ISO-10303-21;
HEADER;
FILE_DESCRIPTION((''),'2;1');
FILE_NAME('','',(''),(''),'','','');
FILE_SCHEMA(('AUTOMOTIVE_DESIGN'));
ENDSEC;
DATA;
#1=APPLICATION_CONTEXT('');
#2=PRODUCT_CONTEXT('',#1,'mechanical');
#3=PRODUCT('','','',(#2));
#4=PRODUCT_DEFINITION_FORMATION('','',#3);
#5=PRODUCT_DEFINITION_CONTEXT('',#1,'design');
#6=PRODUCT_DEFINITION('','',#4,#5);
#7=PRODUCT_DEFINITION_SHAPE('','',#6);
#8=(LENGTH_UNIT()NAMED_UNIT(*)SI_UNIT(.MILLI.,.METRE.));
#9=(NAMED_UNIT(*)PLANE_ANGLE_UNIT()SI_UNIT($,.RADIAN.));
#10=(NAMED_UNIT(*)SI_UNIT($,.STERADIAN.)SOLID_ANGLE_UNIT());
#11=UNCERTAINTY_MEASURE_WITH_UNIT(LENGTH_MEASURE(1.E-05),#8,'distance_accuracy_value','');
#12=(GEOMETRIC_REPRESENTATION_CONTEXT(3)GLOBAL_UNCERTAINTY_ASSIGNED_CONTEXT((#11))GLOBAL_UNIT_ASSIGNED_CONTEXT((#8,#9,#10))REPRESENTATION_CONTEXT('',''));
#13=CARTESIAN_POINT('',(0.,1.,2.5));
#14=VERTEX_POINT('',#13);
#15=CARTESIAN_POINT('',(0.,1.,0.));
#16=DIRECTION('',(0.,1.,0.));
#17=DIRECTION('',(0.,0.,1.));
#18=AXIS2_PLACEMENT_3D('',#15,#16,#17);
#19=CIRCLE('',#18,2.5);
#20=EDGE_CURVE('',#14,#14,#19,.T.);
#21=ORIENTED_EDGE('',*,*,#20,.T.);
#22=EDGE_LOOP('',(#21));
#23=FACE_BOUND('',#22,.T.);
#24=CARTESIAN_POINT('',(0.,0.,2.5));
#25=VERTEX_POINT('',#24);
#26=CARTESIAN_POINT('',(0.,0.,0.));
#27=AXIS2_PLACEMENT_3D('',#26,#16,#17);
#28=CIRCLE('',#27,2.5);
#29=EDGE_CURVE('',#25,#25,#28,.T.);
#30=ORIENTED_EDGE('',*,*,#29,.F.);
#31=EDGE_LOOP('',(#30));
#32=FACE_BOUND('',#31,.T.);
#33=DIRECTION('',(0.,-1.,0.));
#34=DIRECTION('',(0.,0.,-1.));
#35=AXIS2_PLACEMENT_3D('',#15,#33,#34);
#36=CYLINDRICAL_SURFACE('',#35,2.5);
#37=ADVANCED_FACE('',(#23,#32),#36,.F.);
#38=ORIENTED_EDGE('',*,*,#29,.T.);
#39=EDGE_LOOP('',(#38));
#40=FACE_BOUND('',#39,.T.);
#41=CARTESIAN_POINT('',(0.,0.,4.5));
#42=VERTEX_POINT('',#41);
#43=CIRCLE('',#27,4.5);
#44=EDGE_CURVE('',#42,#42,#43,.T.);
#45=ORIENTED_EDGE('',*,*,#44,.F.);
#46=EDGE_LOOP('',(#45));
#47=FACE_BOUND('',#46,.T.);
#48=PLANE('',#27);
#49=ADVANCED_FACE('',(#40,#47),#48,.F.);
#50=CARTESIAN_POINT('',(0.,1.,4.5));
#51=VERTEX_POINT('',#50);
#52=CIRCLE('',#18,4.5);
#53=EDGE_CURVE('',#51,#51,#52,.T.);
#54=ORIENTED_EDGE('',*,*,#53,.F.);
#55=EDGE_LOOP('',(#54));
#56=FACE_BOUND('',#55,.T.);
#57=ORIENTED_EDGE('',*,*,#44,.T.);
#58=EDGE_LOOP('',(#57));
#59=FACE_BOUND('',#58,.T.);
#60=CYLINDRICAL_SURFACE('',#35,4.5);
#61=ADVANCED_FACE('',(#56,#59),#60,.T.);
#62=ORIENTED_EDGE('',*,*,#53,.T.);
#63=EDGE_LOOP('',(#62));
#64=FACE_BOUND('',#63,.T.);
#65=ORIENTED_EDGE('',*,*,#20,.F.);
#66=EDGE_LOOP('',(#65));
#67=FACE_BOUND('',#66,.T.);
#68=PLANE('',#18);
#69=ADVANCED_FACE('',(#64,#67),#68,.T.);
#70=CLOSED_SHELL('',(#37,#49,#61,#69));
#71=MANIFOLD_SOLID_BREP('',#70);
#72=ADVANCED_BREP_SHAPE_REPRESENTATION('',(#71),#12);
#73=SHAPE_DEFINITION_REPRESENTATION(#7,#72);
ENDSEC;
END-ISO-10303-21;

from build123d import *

# Parameters (mm, degrees)
SKETCH_1_R      = 4.5
SKETCH_1_R_2    = 2.5
EXTRUDE_1_DEPTH = 1


with BuildPart() as part:
    # 草图1 → 凸台-拉伸1 (new body)
    with BuildSketch(Plane(origin=(0, 0, 0), x_dir=(1, 0, 0), z_dir=(0, 1, 0))):
        Circle(SKETCH_1_R)
        Circle(SKETCH_1_R_2, mode=Mode.SUBTRACT)
    extrude(amount=EXTRUDE_1_DEPTH)


solid = part.part
